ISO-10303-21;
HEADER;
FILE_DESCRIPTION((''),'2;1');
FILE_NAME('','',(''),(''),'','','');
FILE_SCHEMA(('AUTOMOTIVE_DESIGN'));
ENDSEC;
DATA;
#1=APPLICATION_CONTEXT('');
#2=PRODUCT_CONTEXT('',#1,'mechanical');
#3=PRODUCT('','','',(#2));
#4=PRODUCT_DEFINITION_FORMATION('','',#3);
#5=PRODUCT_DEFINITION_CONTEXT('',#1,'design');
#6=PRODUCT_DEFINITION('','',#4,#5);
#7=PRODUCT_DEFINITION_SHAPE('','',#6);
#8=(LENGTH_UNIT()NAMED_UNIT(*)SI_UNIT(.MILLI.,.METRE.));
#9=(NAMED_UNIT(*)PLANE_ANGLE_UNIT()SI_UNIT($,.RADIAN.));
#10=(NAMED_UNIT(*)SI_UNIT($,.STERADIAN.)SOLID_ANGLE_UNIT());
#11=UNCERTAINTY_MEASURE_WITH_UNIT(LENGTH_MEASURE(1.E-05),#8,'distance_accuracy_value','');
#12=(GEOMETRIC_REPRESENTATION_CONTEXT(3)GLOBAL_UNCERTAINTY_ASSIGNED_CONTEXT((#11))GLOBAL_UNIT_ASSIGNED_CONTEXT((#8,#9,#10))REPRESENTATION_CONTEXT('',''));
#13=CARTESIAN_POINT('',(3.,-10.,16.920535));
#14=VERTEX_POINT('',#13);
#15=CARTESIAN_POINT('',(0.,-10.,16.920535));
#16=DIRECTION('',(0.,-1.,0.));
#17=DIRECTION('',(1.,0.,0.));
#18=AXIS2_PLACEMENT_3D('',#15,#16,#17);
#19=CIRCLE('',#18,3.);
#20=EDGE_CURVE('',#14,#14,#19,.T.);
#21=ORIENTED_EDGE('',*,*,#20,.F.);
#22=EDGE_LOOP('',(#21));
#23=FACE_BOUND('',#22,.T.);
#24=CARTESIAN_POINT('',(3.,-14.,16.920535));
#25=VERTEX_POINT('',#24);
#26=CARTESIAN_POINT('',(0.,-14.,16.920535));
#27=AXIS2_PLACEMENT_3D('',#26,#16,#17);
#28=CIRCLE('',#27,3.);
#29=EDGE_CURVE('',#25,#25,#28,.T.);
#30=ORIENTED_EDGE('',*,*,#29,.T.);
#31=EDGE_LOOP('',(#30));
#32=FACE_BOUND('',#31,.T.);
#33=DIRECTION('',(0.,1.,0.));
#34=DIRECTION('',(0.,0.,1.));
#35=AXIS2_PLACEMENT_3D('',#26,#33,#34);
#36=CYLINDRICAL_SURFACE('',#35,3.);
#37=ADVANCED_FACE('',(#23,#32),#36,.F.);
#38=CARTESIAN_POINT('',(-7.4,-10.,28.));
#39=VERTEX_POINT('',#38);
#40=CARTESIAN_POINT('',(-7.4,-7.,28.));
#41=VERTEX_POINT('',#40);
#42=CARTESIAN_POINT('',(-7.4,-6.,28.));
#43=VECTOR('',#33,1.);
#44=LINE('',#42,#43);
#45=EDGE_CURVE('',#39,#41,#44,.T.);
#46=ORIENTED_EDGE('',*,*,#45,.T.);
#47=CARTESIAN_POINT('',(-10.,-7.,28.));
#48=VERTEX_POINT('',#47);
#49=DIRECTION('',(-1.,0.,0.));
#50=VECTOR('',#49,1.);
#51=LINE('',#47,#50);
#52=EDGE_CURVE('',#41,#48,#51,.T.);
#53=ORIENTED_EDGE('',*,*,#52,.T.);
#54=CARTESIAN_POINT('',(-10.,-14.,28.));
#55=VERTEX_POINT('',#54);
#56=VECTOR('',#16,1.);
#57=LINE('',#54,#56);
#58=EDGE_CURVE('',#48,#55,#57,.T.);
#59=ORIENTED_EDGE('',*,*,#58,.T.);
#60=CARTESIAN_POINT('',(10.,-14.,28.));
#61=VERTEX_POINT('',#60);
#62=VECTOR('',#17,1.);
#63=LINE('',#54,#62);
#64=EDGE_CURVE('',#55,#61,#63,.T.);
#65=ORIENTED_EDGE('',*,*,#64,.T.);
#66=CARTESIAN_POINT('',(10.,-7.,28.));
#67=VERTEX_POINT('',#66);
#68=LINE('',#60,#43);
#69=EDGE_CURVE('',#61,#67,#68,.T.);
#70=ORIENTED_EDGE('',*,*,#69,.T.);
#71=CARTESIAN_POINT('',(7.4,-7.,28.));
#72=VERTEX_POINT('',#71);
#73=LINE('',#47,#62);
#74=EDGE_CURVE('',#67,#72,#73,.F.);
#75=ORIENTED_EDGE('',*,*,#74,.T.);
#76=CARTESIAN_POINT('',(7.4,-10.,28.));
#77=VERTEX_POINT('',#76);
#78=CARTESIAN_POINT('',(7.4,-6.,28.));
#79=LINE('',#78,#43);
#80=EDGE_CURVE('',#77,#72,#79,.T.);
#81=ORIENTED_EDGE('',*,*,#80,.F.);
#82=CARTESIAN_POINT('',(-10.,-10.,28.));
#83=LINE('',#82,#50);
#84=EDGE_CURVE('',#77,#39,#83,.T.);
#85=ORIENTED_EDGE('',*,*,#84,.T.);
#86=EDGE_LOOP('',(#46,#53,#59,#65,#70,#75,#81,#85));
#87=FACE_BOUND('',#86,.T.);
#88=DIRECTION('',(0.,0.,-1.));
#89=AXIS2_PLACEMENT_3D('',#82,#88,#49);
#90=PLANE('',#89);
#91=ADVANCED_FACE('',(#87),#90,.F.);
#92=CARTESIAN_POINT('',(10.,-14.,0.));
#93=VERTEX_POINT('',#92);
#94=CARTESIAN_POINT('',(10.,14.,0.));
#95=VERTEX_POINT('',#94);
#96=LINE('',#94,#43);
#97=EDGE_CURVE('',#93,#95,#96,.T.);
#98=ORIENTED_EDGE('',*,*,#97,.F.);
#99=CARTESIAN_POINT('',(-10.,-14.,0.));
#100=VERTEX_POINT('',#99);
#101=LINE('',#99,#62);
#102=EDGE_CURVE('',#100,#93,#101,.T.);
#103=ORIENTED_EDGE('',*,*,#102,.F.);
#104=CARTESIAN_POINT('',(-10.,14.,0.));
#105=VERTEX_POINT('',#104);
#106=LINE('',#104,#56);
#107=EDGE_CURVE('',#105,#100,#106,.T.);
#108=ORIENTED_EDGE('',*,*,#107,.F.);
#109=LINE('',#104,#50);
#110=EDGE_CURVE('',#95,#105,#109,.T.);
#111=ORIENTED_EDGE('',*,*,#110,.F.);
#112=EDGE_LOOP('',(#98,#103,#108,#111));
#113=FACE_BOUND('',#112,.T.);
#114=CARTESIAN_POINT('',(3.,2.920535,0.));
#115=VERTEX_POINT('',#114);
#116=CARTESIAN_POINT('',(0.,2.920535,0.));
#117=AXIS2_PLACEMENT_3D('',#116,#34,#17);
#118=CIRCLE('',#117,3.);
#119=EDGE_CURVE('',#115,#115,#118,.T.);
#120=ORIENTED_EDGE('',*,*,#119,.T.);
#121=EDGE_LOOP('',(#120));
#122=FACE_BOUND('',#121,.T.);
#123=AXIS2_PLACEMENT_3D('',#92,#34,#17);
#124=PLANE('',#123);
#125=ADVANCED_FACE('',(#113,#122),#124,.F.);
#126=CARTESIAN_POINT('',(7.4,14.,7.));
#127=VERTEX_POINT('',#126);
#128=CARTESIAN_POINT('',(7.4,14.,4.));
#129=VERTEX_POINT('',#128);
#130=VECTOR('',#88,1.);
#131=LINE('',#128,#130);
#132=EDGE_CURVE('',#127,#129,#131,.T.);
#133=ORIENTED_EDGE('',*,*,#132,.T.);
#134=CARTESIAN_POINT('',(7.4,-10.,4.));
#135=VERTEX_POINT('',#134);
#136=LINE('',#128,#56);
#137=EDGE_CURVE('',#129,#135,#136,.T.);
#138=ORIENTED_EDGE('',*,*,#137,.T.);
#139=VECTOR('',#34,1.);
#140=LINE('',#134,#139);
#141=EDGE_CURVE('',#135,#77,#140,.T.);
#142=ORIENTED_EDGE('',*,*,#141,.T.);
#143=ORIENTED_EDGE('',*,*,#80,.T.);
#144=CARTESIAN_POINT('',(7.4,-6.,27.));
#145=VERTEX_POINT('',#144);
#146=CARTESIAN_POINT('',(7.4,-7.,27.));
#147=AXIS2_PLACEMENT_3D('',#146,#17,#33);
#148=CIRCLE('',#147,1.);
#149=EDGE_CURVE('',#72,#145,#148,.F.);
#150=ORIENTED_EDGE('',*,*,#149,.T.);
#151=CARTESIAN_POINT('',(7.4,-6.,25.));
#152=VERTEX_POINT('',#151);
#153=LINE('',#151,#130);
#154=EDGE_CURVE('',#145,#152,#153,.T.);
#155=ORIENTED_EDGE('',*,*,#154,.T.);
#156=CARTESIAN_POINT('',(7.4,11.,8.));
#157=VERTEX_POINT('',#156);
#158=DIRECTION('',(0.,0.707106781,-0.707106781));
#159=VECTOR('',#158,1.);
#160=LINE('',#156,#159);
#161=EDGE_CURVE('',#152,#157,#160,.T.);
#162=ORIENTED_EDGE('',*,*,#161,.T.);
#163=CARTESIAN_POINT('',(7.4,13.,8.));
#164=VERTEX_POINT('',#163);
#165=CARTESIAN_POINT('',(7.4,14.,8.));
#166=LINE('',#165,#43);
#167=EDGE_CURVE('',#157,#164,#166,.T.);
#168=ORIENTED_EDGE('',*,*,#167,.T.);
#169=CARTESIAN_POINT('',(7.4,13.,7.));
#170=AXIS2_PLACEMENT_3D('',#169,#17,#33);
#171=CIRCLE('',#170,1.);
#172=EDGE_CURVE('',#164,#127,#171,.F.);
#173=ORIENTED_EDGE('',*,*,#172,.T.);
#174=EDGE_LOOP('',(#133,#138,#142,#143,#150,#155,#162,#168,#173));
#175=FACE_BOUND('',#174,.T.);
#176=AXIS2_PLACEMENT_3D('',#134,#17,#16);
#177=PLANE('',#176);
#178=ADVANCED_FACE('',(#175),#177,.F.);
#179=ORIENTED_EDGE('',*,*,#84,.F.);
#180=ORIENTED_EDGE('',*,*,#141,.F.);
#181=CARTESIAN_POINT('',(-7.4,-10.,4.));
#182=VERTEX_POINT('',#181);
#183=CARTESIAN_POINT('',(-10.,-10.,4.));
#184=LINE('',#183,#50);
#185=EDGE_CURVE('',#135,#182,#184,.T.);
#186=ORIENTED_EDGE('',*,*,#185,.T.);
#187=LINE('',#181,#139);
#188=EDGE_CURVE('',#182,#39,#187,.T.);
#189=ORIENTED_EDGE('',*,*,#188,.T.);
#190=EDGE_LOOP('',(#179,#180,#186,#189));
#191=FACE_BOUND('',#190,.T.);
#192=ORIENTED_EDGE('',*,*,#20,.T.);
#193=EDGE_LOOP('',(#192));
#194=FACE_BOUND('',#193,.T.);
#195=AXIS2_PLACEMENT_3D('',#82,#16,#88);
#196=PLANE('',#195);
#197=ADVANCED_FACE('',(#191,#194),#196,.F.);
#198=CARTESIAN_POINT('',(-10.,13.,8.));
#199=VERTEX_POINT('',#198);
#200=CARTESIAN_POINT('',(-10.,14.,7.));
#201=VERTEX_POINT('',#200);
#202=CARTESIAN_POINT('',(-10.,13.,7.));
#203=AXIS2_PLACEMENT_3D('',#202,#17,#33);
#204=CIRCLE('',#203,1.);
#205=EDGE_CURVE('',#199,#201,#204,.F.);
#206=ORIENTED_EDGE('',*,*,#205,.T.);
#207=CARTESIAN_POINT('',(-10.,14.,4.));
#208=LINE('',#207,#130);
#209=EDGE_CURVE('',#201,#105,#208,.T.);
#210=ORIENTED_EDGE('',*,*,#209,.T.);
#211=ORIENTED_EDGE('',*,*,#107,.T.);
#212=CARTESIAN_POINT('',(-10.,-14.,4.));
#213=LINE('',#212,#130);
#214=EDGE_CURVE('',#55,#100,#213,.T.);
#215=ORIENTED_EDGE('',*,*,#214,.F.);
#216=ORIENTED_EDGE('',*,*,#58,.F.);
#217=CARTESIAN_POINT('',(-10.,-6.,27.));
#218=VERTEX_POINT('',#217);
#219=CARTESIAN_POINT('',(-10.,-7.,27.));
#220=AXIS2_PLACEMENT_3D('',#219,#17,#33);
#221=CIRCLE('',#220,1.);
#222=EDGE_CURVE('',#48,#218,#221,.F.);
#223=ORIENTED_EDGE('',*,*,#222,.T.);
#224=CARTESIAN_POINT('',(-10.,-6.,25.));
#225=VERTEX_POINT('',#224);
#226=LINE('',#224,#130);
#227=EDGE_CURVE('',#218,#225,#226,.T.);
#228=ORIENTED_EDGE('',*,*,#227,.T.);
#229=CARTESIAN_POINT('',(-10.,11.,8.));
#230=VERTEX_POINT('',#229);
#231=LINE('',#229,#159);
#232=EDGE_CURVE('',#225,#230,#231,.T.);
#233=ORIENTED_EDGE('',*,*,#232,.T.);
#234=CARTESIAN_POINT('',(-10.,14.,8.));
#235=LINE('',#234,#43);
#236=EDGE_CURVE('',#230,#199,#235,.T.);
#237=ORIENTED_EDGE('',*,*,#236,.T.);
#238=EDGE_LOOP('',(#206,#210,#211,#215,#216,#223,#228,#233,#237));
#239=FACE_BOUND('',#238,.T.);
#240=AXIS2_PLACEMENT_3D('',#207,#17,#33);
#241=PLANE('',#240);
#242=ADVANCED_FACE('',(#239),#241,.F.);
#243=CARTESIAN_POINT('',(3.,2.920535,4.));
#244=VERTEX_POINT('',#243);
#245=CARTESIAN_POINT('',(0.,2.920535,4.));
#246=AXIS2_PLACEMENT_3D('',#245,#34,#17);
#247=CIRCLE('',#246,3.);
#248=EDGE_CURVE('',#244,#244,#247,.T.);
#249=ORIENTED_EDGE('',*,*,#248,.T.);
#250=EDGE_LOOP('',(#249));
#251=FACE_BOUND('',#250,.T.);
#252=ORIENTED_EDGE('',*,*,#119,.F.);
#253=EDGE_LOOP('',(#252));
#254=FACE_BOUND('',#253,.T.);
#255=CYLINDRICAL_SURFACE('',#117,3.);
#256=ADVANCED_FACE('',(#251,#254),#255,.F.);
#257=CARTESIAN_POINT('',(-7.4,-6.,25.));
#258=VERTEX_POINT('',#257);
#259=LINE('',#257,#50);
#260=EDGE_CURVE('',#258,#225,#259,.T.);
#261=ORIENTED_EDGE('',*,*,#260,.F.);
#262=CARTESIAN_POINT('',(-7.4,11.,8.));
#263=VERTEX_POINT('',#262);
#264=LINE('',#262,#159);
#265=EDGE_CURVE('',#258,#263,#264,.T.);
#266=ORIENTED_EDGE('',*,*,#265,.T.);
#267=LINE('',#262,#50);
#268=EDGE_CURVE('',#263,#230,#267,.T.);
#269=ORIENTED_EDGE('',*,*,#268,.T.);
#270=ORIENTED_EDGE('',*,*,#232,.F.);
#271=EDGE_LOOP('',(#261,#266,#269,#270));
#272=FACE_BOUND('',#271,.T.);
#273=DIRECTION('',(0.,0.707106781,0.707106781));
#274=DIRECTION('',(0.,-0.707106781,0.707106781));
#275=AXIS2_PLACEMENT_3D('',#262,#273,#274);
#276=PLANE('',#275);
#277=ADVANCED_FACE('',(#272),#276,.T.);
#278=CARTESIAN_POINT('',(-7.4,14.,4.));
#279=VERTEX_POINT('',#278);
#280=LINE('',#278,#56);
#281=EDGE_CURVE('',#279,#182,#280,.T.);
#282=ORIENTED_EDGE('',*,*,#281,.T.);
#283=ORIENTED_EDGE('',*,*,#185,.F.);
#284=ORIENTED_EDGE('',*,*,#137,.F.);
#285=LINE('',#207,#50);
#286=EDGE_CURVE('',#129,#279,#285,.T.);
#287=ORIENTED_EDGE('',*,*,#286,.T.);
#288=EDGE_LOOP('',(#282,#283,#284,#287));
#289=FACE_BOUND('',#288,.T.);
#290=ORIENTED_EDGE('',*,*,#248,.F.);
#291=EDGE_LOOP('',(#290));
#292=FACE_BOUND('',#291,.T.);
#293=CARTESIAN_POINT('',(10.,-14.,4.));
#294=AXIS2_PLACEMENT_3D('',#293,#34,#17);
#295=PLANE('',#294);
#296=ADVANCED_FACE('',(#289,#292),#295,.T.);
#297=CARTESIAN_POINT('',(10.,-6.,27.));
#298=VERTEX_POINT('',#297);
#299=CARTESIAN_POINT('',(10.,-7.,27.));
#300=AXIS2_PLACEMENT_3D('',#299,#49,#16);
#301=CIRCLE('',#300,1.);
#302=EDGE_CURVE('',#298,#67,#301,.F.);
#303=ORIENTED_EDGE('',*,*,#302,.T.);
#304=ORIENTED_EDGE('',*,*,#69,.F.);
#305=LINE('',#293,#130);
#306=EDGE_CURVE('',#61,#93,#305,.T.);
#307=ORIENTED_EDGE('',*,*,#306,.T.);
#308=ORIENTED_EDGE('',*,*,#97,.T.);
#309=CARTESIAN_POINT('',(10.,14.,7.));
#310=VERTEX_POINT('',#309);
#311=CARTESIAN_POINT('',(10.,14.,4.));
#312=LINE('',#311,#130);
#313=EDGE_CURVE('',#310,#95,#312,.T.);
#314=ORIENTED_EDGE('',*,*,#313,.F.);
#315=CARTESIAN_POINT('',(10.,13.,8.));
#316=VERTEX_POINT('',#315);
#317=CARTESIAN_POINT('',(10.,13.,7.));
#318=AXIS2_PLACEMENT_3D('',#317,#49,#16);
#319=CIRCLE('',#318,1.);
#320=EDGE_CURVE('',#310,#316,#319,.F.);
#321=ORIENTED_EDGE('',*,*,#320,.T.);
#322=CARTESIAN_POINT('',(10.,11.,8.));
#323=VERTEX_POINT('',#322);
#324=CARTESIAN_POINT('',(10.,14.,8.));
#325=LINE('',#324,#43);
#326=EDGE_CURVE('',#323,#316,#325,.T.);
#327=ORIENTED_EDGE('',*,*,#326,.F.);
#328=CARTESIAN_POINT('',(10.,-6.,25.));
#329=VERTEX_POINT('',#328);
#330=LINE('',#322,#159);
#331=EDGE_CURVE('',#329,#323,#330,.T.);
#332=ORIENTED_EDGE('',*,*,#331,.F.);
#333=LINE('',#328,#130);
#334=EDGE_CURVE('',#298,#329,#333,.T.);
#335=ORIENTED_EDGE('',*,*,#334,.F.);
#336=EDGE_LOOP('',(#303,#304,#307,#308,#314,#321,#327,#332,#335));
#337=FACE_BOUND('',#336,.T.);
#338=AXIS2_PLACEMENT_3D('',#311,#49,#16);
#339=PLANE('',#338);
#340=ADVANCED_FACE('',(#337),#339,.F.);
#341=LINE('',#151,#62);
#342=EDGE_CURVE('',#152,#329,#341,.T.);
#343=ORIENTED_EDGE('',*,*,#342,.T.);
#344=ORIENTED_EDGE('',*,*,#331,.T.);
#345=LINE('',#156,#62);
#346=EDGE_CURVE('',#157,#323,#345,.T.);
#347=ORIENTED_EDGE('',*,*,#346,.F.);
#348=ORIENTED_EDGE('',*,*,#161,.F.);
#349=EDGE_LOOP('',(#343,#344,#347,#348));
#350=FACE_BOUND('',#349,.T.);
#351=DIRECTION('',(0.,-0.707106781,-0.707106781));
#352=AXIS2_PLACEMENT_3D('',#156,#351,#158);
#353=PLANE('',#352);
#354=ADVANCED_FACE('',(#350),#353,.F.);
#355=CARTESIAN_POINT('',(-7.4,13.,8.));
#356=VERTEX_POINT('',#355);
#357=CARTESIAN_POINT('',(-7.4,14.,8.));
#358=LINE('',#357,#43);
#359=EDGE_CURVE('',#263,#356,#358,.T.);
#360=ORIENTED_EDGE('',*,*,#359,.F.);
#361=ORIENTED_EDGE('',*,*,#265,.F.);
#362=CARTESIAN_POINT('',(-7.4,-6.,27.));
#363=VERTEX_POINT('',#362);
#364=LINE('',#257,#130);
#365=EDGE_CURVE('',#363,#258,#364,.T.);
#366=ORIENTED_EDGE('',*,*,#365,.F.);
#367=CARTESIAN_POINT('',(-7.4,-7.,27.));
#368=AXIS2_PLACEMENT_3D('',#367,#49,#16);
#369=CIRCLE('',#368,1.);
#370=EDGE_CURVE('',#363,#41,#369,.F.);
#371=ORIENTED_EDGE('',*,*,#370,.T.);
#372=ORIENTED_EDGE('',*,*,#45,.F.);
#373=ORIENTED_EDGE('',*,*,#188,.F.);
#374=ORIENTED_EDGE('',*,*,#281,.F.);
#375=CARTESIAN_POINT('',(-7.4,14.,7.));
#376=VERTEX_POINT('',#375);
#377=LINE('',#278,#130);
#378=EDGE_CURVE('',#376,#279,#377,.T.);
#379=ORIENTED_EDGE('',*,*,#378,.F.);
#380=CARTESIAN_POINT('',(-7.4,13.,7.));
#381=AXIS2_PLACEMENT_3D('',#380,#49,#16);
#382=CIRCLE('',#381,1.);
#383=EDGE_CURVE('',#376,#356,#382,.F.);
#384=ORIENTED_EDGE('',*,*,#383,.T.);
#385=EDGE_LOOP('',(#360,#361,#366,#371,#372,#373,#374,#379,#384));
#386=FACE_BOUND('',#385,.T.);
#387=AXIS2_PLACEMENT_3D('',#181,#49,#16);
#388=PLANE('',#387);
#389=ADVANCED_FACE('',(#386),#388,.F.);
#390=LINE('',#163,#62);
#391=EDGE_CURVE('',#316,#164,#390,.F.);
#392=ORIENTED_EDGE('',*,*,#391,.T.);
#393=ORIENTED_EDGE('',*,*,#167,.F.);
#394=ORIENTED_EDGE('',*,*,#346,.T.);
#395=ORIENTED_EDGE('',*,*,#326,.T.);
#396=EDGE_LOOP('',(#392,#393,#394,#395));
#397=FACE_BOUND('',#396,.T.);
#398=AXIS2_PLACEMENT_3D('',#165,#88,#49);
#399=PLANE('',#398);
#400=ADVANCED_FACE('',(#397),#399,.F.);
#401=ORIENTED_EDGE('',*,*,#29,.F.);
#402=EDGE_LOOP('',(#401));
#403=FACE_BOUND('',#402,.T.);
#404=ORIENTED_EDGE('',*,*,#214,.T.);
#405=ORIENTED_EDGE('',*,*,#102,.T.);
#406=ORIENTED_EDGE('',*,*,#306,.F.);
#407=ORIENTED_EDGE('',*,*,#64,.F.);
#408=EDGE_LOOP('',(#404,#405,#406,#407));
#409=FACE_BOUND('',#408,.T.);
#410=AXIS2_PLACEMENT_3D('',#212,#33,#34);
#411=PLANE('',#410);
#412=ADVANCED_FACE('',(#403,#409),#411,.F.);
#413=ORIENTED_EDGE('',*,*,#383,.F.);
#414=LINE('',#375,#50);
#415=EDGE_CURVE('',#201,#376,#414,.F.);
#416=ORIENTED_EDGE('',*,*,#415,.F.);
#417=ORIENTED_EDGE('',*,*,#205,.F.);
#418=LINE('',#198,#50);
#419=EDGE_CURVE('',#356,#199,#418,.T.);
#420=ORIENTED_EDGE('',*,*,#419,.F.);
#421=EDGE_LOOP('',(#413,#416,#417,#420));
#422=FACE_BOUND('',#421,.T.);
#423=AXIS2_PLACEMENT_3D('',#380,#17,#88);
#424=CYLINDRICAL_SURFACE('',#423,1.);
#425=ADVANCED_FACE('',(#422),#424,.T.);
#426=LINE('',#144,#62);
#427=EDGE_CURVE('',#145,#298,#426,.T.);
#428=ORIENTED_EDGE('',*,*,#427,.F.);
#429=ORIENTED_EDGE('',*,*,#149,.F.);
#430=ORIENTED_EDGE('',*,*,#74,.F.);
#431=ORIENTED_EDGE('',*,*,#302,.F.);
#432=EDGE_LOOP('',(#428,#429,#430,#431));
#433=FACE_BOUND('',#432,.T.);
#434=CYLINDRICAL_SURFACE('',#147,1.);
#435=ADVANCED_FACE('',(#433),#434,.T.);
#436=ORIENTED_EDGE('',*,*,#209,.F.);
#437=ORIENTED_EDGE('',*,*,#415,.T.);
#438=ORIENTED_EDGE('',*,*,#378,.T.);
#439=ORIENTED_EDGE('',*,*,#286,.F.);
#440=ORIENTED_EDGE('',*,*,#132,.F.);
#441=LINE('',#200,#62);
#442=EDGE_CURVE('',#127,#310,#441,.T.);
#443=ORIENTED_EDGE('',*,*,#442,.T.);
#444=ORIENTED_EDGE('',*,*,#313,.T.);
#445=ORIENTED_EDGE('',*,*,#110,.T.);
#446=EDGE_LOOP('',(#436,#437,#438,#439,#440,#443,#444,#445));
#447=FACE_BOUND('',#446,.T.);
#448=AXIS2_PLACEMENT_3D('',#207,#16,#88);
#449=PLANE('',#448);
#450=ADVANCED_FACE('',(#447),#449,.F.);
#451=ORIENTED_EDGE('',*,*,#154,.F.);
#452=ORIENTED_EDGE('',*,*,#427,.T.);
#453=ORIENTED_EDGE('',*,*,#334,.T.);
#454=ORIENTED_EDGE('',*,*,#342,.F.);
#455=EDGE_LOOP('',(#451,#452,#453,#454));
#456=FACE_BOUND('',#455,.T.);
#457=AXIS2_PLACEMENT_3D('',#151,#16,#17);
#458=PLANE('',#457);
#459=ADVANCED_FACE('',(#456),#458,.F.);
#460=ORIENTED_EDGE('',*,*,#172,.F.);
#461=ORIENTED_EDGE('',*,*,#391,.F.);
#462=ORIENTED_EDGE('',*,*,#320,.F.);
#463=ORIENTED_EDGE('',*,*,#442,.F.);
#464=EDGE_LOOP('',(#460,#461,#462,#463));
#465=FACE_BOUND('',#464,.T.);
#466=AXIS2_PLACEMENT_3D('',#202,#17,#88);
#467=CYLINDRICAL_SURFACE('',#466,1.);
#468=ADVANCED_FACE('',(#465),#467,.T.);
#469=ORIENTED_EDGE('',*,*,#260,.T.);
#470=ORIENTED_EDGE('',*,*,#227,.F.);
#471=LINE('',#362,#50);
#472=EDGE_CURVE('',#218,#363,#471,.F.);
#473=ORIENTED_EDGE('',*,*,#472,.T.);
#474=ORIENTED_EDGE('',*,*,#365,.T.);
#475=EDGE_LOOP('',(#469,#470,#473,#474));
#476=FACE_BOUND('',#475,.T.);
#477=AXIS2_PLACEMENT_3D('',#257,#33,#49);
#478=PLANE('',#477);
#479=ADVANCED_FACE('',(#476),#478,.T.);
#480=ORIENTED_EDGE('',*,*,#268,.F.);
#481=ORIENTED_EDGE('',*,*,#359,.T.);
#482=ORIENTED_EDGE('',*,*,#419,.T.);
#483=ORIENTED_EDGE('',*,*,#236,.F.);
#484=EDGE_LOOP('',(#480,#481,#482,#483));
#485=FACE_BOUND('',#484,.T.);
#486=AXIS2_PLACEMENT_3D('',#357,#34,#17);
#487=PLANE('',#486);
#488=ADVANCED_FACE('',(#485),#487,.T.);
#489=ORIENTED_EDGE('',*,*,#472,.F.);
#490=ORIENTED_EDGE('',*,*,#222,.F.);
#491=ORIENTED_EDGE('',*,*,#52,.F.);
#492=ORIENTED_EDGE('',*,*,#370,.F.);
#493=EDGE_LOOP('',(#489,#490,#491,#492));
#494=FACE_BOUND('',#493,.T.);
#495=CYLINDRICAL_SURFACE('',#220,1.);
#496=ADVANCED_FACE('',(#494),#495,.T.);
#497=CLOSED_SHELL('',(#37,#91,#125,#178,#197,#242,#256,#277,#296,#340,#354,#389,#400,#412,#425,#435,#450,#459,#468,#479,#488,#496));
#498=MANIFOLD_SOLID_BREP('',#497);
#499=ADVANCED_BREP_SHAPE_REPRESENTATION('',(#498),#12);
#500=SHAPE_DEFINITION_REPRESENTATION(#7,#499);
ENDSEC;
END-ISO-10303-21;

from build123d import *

# Parameters (mm, degrees)
SKETCH_1_W          = 20
SKETCH_1_H          = 28
EXTRUDE_1_DEPTH     = 4
SKETCH_2_W          = 20
SKETCH_2_H          = 4
EXTRUDE_2_DEPTH     = 24
EXTRUDE_3_DEPTH     = 2.6
FILLET_1_R          = 1
SKETCH_4_R          = 3
CUT_EXTRUDE_1_DEPTH = 30.52964612


with BuildPart() as part:
    # 草图1 → 凸台-拉伸1 (new body)
    with BuildSketch(Plane.XY):
        Rectangle(SKETCH_1_W, SKETCH_1_H)
    extrude(amount=EXTRUDE_1_DEPTH)

    # 草图2 → 凸台-拉伸2 (add)
    with BuildSketch(Plane.XY.offset(4)):
        with Locations((0, -12)):
            Rectangle(SKETCH_2_W, SKETCH_2_H)
    extrude(amount=EXTRUDE_2_DEPTH)

    # 草图3 → 凸台-拉伸3 (add)
    with BuildSketch(Plane.ZY.offset(10)):
        Polygon((4, 14), (8, 14), (8, 11), (25, -6), (28, -6), (28, -10), (4, -10), align=None)
    extrude_3 = extrude(amount=-EXTRUDE_3_DEPTH)

    # 镜向1: 凸台-拉伸3 across plane
    add(extrude_3.mirror(Plane(origin=(0, 0, 0), x_dir=(0, 0, 1), z_dir=(1, 0, 0))))

    # 圆角1
    fillet_1_edges = [part.edges().sort_by_distance(p)[0] for p in [
        (-8.7, 14, 8),
        (-8.7, -6, 28),
        (8.7, -6, 28),
        (8.7, 14, 8),
    ]]
    fillet(fillet_1_edges, radius=FILLET_1_R)

    # 草图4 → 切除-拉伸1 (cut, through all)
    with BuildSketch(Plane.XY.offset(4)):
        with Locations((0, 2.920534958)):
            Circle(SKETCH_4_R)
    cut_extrude_1 = extrude(amount=-CUT_EXTRUDE_1_DEPTH, mode=Mode.SUBTRACT)

    # 镜向2: 切除-拉伸1 across plane
    add(cut_extrude_1.mirror(Plane(origin=(0, -7, 7), x_dir=(0, 0.7071067811865476, 0.7071067811865476), z_dir=(0, -0.7071067811865477, 0.7071067811865475))), mode=Mode.SUBTRACT)


solid = part.part
